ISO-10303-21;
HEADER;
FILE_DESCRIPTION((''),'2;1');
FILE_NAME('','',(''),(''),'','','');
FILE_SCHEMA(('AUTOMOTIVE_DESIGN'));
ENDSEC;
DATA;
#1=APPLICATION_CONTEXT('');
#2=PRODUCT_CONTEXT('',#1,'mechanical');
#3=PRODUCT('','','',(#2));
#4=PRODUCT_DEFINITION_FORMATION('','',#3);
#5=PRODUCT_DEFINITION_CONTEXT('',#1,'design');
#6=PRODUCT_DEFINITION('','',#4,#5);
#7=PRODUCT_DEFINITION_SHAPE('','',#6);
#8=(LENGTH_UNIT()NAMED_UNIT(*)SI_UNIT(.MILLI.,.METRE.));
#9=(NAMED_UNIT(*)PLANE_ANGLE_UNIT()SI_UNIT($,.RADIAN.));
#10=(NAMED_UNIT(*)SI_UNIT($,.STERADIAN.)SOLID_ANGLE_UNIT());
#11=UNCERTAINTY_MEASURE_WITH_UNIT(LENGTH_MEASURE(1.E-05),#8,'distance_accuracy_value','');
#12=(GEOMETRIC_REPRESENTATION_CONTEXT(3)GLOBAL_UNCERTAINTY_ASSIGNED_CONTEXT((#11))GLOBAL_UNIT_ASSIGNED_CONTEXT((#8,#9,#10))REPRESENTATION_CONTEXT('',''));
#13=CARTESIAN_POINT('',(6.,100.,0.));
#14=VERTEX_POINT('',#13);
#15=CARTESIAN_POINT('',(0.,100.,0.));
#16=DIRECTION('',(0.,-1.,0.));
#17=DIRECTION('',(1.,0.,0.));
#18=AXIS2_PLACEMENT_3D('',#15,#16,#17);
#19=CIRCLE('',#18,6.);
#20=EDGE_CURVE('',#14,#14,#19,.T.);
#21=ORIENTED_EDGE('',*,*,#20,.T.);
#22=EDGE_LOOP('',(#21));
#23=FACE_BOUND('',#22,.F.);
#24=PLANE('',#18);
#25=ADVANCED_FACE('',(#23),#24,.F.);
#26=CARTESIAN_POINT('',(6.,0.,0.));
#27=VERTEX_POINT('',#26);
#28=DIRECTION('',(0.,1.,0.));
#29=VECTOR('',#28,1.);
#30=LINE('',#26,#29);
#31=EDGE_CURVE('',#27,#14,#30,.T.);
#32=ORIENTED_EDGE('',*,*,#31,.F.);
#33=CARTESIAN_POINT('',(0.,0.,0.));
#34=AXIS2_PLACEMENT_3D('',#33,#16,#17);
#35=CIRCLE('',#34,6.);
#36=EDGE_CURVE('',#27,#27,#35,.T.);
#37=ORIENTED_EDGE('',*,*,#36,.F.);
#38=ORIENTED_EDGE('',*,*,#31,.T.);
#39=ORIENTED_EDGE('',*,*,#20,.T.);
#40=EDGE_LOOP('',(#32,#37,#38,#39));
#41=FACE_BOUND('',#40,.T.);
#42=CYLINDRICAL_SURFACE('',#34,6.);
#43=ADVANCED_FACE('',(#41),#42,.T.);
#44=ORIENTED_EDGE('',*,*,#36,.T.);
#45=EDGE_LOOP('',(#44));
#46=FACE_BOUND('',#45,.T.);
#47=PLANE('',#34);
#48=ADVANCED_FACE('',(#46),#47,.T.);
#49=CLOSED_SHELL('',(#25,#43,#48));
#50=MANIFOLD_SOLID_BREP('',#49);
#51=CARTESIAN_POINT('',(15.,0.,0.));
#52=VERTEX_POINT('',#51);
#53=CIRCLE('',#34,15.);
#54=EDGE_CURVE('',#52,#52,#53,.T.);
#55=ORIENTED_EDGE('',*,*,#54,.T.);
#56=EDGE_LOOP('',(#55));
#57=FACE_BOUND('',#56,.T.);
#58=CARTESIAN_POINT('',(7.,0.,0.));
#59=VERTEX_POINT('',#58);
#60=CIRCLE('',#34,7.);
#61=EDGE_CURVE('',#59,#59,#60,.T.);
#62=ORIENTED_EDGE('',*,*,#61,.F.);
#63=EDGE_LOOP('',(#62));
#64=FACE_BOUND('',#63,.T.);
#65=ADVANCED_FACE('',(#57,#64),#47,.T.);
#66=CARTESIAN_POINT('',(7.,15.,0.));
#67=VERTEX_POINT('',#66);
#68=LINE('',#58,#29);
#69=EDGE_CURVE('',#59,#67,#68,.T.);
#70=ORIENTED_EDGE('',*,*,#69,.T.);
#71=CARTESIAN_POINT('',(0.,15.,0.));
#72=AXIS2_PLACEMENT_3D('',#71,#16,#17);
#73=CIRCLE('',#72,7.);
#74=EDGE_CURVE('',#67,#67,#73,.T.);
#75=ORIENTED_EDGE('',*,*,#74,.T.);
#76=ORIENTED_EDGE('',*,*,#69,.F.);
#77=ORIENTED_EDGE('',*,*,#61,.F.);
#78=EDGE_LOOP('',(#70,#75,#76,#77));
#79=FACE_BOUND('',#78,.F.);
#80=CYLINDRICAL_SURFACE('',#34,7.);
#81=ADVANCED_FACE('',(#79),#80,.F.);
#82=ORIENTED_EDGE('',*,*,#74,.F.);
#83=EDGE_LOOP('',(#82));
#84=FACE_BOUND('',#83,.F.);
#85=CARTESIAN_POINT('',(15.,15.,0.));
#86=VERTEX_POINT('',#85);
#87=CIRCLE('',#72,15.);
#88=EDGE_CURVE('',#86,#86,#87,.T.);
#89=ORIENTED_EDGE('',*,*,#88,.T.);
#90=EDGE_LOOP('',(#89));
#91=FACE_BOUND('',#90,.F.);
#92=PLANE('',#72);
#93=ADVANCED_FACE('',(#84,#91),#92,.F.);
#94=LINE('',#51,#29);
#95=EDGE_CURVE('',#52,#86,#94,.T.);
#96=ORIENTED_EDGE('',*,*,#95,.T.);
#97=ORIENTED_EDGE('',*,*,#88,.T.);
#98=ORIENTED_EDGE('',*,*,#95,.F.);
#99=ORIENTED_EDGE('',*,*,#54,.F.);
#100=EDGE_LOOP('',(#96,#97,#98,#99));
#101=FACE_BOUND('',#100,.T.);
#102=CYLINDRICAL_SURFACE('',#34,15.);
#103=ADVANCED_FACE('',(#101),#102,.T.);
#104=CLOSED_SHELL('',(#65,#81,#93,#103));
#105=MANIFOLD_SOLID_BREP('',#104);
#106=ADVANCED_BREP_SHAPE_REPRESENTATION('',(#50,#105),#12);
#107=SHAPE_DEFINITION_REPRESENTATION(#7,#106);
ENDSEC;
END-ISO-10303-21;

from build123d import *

# Parameters (mm, degrees)
F0_R     = 6
F1_DEPTH = 100
F2_R     = 15
F2_R_2   = 7
F3_DEPTH = 15


with BuildPart() as f1:
    # F0 (on Front) → F1 (new body)
    with BuildSketch(Plane.XZ):
        Circle(F0_R)
    extrude(amount=-F1_DEPTH)


with BuildPart() as f3:
    # F2 (on face) → F3 (new body)
    with BuildSketch(Plane.XZ):
        Circle(F2_R)
        Circle(F2_R_2, mode=Mode.SUBTRACT)
    extrude(amount=-F3_DEPTH)


solid = Compound([f1.part, f3.part])
